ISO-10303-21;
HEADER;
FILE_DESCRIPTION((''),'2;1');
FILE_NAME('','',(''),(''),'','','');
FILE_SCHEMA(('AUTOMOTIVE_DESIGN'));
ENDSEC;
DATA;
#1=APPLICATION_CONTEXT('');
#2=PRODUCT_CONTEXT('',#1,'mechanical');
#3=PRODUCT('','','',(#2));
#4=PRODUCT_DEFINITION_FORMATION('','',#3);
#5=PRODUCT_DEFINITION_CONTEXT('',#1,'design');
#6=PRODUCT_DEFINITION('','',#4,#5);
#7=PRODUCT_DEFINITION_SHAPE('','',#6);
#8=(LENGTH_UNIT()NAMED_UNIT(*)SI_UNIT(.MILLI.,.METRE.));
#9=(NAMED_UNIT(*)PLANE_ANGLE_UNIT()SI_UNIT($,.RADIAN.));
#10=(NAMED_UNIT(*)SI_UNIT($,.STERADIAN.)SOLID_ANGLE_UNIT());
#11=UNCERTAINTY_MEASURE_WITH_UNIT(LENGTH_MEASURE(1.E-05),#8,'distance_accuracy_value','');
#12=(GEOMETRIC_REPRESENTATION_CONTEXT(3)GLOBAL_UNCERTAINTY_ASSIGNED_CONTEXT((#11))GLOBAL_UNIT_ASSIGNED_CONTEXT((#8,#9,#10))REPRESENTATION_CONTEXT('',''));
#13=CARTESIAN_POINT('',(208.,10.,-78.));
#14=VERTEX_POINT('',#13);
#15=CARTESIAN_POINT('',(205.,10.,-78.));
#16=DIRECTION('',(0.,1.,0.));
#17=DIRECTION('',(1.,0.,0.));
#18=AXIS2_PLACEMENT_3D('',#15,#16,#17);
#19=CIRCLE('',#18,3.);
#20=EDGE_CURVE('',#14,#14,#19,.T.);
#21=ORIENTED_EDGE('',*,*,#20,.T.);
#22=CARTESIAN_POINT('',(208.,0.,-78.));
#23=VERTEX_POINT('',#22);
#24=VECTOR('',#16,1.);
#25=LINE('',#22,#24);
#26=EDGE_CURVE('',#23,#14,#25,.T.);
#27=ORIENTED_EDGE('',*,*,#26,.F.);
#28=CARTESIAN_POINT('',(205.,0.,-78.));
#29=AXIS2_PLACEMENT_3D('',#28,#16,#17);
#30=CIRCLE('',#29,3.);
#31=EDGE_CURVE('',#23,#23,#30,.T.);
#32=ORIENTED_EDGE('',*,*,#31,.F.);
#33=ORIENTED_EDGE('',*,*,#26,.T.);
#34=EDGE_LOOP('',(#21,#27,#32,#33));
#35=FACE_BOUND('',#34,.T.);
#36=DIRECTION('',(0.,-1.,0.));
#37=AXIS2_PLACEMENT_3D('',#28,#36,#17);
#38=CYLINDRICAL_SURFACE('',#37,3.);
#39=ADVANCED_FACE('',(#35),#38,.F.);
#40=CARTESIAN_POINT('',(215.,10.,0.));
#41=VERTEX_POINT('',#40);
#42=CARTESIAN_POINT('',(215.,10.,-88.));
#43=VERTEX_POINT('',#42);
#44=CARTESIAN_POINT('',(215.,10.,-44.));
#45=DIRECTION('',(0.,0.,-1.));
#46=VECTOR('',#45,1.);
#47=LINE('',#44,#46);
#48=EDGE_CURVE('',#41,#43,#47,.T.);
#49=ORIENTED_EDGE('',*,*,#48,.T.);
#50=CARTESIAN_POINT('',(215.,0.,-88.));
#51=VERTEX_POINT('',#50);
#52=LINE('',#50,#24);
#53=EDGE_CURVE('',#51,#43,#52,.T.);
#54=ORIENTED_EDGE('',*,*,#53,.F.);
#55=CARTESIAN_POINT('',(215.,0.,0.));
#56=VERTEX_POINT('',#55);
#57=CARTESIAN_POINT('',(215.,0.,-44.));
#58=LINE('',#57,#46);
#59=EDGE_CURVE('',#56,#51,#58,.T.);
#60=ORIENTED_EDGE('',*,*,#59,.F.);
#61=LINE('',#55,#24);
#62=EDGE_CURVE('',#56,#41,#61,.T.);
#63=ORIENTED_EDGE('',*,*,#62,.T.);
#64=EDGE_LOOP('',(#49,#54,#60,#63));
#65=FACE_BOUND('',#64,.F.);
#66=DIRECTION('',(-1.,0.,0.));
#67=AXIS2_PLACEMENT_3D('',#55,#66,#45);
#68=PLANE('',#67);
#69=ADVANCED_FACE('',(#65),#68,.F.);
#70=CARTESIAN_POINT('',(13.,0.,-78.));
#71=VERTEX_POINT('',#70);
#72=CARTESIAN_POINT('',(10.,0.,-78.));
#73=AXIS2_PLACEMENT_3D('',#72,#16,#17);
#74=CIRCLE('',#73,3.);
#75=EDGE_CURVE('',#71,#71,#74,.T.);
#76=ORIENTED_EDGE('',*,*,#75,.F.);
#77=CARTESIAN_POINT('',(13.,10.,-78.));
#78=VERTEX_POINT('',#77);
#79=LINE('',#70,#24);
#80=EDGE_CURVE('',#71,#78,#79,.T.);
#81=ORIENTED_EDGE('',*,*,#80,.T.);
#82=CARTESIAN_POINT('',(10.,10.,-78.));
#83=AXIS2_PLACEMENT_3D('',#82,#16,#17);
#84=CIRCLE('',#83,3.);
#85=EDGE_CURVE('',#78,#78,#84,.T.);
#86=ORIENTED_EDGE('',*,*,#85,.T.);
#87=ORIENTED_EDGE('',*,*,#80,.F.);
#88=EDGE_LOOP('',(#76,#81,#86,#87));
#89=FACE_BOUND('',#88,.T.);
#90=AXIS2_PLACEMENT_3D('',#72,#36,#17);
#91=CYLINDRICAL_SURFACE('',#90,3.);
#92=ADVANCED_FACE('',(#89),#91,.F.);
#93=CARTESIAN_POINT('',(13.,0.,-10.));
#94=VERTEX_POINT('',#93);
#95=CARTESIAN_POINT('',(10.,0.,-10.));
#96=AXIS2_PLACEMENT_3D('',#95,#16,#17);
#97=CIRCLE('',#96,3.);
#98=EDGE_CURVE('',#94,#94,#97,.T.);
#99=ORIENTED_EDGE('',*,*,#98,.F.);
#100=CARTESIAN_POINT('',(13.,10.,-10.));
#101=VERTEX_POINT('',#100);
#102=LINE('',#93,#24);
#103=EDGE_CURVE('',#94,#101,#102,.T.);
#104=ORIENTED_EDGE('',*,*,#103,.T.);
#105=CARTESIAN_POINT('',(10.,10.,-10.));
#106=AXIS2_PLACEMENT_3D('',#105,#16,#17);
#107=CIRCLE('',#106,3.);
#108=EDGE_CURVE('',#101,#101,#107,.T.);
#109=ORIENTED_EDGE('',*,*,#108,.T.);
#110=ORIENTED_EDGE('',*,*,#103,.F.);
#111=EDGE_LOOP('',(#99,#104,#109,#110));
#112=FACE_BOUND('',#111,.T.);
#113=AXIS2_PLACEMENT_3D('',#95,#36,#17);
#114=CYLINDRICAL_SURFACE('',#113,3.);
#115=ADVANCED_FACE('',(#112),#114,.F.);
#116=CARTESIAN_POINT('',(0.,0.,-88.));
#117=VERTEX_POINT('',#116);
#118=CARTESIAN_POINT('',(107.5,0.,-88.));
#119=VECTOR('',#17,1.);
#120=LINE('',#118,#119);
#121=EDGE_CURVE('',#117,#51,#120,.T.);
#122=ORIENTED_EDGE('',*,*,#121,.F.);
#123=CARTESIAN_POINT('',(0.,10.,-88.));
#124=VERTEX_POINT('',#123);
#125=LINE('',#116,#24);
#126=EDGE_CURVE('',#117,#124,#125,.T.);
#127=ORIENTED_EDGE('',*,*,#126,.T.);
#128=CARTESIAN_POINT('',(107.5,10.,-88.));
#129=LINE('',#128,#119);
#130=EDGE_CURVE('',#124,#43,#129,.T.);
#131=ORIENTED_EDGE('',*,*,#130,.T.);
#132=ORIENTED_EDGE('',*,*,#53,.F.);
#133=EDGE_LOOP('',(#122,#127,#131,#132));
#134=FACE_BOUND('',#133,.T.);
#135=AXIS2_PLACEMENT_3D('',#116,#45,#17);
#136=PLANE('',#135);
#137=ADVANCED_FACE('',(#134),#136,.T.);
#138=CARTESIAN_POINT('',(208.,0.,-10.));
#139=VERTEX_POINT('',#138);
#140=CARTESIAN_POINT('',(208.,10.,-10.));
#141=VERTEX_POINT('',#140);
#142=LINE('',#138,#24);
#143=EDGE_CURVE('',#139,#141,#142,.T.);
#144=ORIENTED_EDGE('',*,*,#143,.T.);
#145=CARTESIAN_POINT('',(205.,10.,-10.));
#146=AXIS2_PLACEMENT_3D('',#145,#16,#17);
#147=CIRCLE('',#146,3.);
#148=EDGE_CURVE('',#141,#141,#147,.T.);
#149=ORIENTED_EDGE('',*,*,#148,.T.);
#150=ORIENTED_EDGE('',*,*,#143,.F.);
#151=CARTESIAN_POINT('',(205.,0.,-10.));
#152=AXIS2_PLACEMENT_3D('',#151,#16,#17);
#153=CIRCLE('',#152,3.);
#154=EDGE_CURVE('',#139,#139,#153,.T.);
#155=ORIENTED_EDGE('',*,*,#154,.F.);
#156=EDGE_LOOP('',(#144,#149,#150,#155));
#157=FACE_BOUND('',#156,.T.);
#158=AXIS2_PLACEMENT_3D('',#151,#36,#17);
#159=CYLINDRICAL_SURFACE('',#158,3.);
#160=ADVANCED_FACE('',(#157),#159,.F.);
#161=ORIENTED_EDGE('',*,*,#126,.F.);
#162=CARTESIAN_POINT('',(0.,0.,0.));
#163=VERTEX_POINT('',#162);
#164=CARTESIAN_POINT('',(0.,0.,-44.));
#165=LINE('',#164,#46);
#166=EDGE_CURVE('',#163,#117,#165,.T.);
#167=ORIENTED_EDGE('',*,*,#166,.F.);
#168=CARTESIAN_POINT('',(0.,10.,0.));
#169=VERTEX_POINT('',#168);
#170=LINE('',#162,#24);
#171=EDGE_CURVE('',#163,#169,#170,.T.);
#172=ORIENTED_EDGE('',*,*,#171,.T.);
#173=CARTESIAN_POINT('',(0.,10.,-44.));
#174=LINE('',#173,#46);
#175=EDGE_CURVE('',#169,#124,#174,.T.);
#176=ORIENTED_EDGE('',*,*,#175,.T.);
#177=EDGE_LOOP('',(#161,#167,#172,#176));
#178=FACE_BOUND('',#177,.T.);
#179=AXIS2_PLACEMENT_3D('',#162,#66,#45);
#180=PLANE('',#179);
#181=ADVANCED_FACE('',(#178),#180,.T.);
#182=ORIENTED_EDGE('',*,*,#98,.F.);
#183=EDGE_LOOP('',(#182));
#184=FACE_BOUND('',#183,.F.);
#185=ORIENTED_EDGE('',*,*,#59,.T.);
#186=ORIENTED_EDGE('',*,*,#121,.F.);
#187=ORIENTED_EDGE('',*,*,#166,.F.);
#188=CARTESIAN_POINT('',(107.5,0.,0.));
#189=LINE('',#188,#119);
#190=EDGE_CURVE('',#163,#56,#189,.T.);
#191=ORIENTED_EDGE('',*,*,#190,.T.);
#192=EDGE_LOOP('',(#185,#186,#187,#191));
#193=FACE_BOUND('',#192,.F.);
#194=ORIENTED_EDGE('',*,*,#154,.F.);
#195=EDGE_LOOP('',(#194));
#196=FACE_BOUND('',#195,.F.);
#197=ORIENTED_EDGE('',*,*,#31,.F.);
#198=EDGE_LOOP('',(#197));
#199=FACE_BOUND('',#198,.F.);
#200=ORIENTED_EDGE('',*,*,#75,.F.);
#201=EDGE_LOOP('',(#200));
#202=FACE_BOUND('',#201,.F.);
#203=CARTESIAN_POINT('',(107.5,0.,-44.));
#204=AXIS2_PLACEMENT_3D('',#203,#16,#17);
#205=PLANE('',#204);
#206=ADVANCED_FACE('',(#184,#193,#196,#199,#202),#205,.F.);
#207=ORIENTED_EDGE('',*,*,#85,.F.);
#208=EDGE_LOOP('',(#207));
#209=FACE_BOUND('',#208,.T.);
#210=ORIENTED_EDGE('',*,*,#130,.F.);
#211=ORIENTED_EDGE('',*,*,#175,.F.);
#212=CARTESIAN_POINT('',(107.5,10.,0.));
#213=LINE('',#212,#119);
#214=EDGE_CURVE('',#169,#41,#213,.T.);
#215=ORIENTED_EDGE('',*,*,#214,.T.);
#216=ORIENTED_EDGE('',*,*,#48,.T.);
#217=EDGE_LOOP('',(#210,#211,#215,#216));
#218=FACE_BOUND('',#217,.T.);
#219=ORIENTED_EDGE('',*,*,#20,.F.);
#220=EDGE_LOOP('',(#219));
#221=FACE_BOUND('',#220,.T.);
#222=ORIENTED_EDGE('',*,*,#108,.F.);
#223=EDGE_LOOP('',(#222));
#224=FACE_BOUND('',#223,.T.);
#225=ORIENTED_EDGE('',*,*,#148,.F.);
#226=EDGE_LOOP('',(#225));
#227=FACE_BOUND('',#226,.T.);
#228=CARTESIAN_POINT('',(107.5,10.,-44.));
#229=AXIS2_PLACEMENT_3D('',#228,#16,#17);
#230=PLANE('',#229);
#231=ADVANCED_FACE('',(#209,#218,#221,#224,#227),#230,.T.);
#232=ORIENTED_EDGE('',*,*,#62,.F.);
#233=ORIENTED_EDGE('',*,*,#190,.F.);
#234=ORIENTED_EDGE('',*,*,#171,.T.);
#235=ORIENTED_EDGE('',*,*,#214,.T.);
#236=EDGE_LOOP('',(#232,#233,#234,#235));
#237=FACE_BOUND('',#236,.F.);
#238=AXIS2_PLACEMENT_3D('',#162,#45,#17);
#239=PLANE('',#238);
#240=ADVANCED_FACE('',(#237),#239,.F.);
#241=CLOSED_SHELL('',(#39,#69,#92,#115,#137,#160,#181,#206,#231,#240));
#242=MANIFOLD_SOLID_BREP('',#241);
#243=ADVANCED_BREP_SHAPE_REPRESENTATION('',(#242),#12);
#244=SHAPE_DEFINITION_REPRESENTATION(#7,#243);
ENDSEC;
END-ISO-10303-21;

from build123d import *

# Parameters (mm, degrees)
SKETCH1_W           = 215
SKETCH1_H           = 88
SKETCH1_R           = 3
BOSS_EXTRUDE1_DEPTH = 10


with BuildPart() as part:
    # Sketch1 → Boss-Extrude1 (new body)
    with BuildSketch(Plane(origin=(0, 0, 0), x_dir=(1, 0, 0), z_dir=(0, 1, 0))):
        with Locations((107.5, 44)):
            Rectangle(SKETCH1_W, SKETCH1_H)
        with Locations((10, 78)):
            Circle(SKETCH1_R, mode=Mode.SUBTRACT)
        with Locations((10, 10)):
            Circle(SKETCH1_R, mode=Mode.SUBTRACT)
        with Locations((205, 78)):
            Circle(SKETCH1_R, mode=Mode.SUBTRACT)
        with Locations((205, 10)):
            Circle(SKETCH1_R, mode=Mode.SUBTRACT)
    extrude(amount=BOSS_EXTRUDE1_DEPTH)


solid = part.part
